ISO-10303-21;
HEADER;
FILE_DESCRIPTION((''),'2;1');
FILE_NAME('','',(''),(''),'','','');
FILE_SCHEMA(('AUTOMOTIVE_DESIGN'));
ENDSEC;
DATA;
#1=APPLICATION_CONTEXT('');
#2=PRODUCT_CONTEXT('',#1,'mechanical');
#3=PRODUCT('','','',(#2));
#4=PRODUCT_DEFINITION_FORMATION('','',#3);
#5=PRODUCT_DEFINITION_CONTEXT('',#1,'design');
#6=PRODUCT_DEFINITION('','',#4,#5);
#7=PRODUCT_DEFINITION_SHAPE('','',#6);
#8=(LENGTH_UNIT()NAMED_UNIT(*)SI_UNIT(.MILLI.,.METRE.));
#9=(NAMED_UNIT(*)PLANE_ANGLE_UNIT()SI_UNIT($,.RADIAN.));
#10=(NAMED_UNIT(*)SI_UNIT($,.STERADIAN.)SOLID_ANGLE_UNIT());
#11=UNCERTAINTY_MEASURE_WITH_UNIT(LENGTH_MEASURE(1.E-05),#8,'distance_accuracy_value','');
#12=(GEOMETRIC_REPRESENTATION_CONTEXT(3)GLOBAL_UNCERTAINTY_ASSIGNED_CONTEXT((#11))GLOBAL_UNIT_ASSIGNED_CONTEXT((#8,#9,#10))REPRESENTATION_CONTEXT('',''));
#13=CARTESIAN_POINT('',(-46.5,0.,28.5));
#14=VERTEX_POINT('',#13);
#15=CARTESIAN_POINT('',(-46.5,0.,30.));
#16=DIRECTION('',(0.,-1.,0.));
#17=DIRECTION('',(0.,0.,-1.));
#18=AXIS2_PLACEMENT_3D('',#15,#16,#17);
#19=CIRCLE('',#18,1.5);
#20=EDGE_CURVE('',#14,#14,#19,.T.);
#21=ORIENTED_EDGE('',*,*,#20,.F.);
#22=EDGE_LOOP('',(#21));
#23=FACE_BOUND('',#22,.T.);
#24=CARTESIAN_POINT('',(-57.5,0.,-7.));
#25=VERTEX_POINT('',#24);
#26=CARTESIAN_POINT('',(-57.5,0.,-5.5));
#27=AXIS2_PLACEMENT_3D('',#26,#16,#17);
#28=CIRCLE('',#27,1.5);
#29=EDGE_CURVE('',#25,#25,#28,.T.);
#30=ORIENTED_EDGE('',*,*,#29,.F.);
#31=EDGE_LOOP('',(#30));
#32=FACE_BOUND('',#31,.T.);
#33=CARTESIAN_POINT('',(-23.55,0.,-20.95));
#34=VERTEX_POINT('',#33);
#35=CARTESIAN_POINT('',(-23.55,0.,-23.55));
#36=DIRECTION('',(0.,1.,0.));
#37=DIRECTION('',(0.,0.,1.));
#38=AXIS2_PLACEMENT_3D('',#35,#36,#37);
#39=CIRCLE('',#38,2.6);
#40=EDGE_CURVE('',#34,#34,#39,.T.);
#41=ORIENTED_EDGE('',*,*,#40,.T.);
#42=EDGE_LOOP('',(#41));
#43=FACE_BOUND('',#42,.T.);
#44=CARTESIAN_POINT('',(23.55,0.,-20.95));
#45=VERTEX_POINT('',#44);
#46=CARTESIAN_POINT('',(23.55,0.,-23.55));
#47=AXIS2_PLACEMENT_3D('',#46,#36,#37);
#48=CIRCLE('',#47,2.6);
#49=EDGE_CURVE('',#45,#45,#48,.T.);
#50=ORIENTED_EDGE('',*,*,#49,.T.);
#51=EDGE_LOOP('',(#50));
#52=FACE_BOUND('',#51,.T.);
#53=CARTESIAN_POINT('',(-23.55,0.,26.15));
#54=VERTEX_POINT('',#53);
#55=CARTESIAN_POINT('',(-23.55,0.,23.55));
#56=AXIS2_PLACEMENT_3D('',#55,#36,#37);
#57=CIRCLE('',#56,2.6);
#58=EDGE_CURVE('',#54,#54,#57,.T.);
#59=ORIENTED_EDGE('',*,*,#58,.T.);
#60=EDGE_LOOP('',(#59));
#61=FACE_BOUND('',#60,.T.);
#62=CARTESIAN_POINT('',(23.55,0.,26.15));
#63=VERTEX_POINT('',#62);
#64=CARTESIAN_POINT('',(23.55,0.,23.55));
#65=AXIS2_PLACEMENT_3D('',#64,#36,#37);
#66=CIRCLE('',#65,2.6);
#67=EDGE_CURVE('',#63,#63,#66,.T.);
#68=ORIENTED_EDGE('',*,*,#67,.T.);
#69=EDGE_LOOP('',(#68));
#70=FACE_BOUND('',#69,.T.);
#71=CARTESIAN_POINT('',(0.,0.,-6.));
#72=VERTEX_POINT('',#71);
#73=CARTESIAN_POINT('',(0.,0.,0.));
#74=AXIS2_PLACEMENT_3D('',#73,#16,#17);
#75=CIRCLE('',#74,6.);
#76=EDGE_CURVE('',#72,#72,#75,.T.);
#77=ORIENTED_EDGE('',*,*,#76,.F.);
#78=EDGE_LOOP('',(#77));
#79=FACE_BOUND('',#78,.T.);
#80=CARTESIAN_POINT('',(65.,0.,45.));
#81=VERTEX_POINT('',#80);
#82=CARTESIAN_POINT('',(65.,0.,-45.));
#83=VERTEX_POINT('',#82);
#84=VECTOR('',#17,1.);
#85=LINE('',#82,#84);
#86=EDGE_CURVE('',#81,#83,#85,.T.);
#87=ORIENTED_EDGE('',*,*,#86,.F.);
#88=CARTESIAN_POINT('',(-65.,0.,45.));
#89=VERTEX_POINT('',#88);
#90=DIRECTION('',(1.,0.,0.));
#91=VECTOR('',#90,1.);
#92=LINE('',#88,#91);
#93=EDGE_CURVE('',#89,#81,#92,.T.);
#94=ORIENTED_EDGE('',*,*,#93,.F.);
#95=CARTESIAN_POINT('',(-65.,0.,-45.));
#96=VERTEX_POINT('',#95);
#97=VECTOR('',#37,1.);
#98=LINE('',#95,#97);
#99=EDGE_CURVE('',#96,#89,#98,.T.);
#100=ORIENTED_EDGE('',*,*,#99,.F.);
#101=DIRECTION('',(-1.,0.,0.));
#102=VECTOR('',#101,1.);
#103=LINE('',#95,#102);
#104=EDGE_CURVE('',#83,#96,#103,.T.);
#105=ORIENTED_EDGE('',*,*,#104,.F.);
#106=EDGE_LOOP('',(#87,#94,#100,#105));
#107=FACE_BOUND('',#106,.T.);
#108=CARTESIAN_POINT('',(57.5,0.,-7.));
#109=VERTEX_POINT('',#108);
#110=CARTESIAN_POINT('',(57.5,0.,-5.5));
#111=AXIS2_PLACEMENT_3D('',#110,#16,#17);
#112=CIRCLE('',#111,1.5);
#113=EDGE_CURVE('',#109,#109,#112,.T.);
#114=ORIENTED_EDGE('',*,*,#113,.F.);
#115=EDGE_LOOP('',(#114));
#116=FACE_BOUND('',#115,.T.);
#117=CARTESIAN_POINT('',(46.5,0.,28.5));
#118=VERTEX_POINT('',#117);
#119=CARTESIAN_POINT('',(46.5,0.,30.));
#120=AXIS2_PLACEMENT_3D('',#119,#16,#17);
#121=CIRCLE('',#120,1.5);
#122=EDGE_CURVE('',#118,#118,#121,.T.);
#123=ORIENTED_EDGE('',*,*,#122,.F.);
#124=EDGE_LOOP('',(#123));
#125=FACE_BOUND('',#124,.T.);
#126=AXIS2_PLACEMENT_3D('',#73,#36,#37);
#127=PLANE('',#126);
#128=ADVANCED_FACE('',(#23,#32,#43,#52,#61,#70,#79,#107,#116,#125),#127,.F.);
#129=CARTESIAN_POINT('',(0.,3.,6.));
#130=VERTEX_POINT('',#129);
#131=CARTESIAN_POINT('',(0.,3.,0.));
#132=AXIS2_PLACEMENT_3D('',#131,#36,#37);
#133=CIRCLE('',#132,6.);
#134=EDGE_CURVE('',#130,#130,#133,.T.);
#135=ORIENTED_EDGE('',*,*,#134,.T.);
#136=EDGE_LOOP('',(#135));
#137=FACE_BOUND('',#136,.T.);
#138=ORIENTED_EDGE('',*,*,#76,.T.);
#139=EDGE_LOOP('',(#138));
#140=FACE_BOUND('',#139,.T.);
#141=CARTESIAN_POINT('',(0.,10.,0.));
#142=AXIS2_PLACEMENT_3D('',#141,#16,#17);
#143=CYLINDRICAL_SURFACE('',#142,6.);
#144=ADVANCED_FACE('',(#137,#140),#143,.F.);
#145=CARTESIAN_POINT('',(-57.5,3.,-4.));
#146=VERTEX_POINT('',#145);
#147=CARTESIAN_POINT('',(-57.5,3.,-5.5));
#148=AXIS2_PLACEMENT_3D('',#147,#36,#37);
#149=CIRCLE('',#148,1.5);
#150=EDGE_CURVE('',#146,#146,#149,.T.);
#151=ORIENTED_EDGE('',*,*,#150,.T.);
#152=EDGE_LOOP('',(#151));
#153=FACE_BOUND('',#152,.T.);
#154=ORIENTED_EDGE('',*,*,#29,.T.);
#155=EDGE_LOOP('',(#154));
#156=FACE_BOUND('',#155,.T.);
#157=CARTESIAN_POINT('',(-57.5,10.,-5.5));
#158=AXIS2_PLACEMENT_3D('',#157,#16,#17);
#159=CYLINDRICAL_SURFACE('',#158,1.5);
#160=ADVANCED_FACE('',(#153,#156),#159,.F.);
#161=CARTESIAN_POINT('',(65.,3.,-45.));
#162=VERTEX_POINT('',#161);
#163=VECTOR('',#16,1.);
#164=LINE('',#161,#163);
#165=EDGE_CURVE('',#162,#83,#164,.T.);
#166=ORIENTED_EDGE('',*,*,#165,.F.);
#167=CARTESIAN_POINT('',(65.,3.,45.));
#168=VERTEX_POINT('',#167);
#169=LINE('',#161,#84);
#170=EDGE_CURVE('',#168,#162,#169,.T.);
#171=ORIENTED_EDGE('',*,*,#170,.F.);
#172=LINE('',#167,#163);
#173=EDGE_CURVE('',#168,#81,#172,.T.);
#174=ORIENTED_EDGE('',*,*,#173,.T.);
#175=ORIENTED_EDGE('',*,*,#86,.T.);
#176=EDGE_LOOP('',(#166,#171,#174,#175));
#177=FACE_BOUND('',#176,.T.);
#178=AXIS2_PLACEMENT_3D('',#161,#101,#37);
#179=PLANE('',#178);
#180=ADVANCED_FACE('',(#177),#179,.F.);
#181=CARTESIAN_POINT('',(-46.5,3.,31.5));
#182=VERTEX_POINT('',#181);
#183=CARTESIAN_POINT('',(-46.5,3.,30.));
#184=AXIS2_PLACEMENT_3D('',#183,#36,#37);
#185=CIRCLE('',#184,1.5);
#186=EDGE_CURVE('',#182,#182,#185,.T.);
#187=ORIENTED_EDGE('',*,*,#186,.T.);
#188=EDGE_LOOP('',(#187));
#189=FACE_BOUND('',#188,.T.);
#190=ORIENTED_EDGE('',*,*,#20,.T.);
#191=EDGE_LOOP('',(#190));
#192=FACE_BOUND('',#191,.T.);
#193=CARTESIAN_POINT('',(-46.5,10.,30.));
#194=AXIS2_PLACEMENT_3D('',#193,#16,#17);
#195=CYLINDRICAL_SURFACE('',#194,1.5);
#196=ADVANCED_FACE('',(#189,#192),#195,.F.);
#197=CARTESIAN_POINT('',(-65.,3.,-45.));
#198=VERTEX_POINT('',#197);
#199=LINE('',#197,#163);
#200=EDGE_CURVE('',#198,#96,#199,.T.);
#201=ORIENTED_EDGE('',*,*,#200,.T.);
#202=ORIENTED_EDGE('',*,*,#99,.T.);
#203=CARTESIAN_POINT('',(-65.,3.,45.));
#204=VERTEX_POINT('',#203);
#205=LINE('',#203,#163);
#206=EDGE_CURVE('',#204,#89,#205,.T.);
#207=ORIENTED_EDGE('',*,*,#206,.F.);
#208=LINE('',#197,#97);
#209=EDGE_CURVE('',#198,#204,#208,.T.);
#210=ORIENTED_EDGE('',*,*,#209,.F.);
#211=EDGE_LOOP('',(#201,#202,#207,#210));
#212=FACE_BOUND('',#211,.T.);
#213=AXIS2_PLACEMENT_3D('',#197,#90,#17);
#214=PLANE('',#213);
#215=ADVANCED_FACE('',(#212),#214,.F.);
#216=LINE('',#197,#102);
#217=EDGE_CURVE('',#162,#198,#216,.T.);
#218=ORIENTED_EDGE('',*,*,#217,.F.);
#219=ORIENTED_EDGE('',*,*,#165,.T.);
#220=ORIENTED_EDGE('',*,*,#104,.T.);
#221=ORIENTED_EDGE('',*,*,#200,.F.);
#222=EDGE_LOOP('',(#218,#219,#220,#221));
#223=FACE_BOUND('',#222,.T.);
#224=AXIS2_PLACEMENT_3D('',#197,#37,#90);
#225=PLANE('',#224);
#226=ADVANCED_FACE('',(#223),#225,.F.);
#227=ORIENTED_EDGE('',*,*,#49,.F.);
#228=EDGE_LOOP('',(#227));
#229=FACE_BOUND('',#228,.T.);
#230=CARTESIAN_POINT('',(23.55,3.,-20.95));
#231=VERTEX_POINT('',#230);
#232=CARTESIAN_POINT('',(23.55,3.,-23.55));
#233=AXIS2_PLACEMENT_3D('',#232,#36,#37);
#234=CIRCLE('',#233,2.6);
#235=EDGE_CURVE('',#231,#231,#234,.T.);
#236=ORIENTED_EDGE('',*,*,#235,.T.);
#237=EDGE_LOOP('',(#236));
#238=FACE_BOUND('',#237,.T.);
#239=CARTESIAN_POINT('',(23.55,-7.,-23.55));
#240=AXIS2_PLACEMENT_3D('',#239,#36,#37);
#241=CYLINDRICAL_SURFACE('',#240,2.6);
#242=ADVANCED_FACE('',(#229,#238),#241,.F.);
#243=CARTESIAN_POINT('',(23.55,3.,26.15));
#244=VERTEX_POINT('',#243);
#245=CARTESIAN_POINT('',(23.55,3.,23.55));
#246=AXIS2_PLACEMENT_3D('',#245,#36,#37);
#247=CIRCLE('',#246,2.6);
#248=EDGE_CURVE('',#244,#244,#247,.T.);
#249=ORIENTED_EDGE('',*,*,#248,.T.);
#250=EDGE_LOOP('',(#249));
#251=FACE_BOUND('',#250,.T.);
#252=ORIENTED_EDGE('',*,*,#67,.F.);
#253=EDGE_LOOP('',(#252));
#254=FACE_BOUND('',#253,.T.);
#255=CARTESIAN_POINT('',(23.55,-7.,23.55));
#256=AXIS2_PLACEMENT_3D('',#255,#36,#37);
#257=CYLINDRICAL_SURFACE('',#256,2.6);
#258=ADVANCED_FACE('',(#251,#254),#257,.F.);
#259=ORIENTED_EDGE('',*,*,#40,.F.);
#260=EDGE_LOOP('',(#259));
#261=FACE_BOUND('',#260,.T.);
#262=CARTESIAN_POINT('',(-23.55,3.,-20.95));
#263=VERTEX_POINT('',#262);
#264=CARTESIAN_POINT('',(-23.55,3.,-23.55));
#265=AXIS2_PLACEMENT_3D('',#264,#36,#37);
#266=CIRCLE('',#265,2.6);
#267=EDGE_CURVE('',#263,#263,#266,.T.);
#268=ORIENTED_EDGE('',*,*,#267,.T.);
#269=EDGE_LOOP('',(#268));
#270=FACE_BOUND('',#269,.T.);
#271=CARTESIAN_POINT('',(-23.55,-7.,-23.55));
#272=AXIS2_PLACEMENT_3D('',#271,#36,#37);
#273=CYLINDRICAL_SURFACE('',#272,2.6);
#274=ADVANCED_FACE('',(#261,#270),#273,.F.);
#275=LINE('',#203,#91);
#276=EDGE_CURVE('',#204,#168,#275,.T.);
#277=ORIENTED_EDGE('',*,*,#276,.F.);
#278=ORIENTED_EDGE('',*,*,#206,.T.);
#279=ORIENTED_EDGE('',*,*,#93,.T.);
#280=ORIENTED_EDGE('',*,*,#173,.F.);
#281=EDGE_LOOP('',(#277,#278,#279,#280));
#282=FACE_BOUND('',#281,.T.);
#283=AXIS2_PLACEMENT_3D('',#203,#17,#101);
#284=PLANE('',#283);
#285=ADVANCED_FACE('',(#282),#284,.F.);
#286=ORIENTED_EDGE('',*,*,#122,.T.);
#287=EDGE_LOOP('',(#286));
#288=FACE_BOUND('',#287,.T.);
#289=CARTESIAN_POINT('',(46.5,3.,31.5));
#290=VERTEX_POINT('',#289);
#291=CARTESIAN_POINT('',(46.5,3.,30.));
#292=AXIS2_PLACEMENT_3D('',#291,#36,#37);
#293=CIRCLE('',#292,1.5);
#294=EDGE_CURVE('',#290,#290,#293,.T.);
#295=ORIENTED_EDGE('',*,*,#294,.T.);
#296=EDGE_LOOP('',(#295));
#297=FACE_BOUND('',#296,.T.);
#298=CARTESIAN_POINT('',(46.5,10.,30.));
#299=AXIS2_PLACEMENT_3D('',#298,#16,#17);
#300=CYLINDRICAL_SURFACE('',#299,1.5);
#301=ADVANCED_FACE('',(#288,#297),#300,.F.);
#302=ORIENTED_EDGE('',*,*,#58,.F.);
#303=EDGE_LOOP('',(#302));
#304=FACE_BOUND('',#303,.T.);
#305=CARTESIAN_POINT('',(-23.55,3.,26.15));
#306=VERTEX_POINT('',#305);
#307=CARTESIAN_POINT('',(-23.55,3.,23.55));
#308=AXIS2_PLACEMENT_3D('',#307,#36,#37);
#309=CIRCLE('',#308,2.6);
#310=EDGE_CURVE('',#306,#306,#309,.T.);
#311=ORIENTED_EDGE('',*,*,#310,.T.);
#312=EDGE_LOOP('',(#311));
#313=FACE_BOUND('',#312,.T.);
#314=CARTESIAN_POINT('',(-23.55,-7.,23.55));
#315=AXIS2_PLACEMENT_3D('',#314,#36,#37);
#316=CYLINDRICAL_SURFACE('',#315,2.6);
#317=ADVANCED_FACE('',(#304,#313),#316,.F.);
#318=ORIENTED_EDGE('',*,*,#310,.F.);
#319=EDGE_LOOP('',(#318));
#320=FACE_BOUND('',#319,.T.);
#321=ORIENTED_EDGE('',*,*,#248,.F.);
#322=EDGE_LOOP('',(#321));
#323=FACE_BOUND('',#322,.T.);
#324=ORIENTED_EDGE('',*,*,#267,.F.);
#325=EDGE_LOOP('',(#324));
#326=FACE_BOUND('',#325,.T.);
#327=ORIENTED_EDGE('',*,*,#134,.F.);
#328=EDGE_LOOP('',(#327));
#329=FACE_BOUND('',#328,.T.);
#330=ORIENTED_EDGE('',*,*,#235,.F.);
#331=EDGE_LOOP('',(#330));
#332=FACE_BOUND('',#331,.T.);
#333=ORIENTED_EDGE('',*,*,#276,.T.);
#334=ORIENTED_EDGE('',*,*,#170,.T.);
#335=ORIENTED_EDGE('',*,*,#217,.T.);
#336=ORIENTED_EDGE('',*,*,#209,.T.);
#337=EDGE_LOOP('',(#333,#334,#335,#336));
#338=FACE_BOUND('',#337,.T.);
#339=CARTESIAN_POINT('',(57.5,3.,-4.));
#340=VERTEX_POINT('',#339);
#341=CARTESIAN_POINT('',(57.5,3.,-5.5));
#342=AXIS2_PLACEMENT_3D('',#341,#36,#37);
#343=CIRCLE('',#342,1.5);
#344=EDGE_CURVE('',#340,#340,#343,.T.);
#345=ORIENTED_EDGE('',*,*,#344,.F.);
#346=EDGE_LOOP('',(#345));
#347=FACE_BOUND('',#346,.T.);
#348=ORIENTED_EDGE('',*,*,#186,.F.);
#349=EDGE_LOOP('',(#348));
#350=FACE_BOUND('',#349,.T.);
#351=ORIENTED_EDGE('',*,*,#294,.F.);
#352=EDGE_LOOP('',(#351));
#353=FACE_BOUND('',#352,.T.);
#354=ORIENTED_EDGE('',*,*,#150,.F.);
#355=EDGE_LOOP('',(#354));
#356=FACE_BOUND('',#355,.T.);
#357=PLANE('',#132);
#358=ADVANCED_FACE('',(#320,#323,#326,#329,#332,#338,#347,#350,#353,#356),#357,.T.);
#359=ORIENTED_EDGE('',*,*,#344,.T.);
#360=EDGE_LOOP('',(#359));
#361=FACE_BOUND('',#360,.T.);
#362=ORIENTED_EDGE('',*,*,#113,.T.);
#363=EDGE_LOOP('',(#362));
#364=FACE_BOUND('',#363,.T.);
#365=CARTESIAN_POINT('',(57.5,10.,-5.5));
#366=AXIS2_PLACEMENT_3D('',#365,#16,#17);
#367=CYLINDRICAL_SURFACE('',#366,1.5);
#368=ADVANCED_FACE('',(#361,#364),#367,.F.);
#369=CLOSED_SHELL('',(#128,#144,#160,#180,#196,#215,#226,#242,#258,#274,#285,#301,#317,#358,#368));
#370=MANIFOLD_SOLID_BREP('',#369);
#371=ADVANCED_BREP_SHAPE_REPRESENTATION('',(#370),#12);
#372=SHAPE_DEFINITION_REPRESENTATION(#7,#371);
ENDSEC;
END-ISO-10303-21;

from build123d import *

# Parameters (mm, degrees)
SKETCH1_W           = 130
SKETCH1_H           = 90
BOSS_EXTRUDE1_DEPTH = 3
SKETCH2_R           = 2.6
CUT_EXTRUDE1_DEPTH  = 10
SKETCH3_R           = 1.5
CUT_EXTRUDE2_DEPTH  = 10
SKETCH4_R           = 6
CUT_EXTRUDE3_DEPTH  = 10


with BuildPart() as part:
    # Sketch1 → Boss-Extrude1 (new body)
    with BuildSketch(Plane(origin=(0, 0, 0), x_dir=(1, 0, 0), z_dir=(0, 1, 0))):
        Rectangle(SKETCH1_W, SKETCH1_H)
    extrude(amount=BOSS_EXTRUDE1_DEPTH)

    # Sketch2 → Cut-Extrude1 (cut)
    with BuildSketch(Plane(origin=(0, 3, 0), x_dir=(1, 0, 0), z_dir=(0, 1, 0))):
        with Locations(Location((23.55, -23.55, 0), (0, 0, 270))):
            Circle(SKETCH2_R)
        with Locations(Location((-23.55, -23.55, 0), (0, 0, 270))):
            Circle(SKETCH2_R)
        with Locations(Location((-23.55, 23.55, 0), (0, 0, 270))):
            Circle(SKETCH2_R)
        with Locations(Location((23.55, 23.55, 0), (0, 0, 270))):
            Circle(SKETCH2_R)
    extrude(amount=-CUT_EXTRUDE1_DEPTH, mode=Mode.SUBTRACT)

    # Sketch3 → Cut-Extrude2 (cut)
    with BuildSketch(Plane.XZ):
        with Locations(Location((46.5, 30, 0), (0, 0, 270))):
            Circle(SKETCH3_R)
        with Locations(Location((-46.5, 30, 0), (0, 0, 270))):
            Circle(SKETCH3_R)
        with Locations(Location((-57.5, -5.5, 0), (0, 0, 270))):
            Circle(SKETCH3_R)
        with Locations(Location((57.5, -5.5, 0), (0, 0, 270))):
            Circle(SKETCH3_R)
    extrude(amount=-CUT_EXTRUDE2_DEPTH, mode=Mode.SUBTRACT)

    # Sketch4 → Cut-Extrude3 (cut)
    with BuildSketch(Plane.XZ):
        with Locations(Location((0, 0, 0), (0, 0, 270))):
            Circle(SKETCH4_R)
    extrude(amount=-CUT_EXTRUDE3_DEPTH, mode=Mode.SUBTRACT)


solid = part.part
